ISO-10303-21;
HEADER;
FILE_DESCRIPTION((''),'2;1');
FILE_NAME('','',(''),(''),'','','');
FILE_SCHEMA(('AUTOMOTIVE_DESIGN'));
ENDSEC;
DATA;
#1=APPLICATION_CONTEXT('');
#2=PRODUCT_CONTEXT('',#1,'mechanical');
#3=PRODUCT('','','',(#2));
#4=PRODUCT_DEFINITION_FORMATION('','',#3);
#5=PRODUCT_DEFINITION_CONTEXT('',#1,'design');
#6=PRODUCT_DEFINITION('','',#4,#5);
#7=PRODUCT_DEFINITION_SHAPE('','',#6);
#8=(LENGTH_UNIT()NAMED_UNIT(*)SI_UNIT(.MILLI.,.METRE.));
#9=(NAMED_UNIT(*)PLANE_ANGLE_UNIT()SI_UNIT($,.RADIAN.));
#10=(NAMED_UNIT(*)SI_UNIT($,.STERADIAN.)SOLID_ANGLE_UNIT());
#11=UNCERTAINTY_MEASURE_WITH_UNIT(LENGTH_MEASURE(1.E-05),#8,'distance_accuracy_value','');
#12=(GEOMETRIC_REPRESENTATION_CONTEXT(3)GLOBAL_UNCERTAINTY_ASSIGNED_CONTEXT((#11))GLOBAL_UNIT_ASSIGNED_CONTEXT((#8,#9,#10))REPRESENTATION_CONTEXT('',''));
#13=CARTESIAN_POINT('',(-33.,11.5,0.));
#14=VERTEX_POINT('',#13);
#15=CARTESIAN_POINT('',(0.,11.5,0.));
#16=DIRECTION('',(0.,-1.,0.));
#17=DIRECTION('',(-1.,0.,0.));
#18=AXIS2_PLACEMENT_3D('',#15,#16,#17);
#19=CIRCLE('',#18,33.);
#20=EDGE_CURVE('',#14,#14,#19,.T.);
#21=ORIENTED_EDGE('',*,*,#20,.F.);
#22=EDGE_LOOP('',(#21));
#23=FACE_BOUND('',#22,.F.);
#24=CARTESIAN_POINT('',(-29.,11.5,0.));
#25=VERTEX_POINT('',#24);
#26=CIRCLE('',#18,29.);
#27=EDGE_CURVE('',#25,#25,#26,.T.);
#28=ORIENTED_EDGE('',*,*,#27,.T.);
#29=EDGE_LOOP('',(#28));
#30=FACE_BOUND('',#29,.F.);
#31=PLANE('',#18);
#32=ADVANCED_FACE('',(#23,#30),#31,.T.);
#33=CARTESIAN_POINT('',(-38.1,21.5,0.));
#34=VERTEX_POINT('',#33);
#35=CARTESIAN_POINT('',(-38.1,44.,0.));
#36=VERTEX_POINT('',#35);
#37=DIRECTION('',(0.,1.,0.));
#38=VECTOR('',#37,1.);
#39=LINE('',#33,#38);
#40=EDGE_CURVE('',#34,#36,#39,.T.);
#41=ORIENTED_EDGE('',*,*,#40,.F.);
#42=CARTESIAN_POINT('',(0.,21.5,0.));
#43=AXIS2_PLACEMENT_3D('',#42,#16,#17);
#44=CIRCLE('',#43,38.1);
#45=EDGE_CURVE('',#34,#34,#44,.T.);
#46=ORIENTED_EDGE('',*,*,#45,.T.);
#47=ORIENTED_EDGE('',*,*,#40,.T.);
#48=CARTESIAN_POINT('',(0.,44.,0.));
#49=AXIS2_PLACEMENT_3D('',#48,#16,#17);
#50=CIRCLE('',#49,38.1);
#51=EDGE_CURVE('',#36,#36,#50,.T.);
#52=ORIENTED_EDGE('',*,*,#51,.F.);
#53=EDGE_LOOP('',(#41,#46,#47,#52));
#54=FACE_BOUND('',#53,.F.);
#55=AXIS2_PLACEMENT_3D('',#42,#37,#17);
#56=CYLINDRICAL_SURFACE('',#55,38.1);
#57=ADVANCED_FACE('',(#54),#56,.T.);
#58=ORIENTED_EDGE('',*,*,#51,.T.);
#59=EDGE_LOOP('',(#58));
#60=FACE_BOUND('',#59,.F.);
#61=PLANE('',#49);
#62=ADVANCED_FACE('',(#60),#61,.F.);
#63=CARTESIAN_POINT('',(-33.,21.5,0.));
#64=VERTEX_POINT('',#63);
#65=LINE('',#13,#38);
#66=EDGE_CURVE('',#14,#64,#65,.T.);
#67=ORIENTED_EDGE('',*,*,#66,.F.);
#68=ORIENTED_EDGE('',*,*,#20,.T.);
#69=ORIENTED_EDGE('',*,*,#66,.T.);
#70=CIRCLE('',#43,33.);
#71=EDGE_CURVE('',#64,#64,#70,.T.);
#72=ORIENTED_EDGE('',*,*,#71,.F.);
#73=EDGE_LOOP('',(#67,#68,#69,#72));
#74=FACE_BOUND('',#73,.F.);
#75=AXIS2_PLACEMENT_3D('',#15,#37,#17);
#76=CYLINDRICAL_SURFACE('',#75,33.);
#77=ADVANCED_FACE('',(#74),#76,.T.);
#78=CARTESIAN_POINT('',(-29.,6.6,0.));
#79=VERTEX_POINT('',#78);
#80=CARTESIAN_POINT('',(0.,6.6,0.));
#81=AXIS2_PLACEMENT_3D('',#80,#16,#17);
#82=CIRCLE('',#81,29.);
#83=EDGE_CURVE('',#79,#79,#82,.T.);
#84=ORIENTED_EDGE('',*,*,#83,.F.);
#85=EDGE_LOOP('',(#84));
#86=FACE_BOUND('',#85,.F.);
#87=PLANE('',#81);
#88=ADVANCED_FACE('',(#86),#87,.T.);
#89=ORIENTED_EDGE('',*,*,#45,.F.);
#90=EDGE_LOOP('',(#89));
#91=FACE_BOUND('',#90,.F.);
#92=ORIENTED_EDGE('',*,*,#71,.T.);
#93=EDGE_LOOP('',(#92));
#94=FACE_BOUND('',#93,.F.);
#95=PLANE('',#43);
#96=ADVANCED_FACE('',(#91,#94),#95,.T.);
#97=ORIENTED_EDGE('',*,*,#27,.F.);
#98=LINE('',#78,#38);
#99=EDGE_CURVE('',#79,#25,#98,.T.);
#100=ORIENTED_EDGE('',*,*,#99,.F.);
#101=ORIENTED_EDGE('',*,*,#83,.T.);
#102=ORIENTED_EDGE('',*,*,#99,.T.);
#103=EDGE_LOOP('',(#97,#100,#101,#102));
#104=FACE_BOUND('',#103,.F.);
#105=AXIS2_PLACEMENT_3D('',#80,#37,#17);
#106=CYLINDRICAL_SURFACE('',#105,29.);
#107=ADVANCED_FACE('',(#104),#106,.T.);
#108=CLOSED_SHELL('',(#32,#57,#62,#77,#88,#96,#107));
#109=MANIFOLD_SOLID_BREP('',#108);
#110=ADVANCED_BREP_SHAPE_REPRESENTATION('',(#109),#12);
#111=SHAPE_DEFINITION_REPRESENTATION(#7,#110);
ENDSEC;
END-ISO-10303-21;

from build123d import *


with BuildPart() as part:
    # Sketch1 → Revolve1 (revolve)
    with BuildSketch(Plane.XY):
        Polygon((-29, 6.6), (-29, 11.5), (-33, 11.5), (-33, 21.5), (-38.1, 21.5), (-38.1, 44), (0, 44), (0, 6.6), align=None)
    revolve(axis=Axis((0, 44, 0), (0, -1, 0)))


solid = part.part
